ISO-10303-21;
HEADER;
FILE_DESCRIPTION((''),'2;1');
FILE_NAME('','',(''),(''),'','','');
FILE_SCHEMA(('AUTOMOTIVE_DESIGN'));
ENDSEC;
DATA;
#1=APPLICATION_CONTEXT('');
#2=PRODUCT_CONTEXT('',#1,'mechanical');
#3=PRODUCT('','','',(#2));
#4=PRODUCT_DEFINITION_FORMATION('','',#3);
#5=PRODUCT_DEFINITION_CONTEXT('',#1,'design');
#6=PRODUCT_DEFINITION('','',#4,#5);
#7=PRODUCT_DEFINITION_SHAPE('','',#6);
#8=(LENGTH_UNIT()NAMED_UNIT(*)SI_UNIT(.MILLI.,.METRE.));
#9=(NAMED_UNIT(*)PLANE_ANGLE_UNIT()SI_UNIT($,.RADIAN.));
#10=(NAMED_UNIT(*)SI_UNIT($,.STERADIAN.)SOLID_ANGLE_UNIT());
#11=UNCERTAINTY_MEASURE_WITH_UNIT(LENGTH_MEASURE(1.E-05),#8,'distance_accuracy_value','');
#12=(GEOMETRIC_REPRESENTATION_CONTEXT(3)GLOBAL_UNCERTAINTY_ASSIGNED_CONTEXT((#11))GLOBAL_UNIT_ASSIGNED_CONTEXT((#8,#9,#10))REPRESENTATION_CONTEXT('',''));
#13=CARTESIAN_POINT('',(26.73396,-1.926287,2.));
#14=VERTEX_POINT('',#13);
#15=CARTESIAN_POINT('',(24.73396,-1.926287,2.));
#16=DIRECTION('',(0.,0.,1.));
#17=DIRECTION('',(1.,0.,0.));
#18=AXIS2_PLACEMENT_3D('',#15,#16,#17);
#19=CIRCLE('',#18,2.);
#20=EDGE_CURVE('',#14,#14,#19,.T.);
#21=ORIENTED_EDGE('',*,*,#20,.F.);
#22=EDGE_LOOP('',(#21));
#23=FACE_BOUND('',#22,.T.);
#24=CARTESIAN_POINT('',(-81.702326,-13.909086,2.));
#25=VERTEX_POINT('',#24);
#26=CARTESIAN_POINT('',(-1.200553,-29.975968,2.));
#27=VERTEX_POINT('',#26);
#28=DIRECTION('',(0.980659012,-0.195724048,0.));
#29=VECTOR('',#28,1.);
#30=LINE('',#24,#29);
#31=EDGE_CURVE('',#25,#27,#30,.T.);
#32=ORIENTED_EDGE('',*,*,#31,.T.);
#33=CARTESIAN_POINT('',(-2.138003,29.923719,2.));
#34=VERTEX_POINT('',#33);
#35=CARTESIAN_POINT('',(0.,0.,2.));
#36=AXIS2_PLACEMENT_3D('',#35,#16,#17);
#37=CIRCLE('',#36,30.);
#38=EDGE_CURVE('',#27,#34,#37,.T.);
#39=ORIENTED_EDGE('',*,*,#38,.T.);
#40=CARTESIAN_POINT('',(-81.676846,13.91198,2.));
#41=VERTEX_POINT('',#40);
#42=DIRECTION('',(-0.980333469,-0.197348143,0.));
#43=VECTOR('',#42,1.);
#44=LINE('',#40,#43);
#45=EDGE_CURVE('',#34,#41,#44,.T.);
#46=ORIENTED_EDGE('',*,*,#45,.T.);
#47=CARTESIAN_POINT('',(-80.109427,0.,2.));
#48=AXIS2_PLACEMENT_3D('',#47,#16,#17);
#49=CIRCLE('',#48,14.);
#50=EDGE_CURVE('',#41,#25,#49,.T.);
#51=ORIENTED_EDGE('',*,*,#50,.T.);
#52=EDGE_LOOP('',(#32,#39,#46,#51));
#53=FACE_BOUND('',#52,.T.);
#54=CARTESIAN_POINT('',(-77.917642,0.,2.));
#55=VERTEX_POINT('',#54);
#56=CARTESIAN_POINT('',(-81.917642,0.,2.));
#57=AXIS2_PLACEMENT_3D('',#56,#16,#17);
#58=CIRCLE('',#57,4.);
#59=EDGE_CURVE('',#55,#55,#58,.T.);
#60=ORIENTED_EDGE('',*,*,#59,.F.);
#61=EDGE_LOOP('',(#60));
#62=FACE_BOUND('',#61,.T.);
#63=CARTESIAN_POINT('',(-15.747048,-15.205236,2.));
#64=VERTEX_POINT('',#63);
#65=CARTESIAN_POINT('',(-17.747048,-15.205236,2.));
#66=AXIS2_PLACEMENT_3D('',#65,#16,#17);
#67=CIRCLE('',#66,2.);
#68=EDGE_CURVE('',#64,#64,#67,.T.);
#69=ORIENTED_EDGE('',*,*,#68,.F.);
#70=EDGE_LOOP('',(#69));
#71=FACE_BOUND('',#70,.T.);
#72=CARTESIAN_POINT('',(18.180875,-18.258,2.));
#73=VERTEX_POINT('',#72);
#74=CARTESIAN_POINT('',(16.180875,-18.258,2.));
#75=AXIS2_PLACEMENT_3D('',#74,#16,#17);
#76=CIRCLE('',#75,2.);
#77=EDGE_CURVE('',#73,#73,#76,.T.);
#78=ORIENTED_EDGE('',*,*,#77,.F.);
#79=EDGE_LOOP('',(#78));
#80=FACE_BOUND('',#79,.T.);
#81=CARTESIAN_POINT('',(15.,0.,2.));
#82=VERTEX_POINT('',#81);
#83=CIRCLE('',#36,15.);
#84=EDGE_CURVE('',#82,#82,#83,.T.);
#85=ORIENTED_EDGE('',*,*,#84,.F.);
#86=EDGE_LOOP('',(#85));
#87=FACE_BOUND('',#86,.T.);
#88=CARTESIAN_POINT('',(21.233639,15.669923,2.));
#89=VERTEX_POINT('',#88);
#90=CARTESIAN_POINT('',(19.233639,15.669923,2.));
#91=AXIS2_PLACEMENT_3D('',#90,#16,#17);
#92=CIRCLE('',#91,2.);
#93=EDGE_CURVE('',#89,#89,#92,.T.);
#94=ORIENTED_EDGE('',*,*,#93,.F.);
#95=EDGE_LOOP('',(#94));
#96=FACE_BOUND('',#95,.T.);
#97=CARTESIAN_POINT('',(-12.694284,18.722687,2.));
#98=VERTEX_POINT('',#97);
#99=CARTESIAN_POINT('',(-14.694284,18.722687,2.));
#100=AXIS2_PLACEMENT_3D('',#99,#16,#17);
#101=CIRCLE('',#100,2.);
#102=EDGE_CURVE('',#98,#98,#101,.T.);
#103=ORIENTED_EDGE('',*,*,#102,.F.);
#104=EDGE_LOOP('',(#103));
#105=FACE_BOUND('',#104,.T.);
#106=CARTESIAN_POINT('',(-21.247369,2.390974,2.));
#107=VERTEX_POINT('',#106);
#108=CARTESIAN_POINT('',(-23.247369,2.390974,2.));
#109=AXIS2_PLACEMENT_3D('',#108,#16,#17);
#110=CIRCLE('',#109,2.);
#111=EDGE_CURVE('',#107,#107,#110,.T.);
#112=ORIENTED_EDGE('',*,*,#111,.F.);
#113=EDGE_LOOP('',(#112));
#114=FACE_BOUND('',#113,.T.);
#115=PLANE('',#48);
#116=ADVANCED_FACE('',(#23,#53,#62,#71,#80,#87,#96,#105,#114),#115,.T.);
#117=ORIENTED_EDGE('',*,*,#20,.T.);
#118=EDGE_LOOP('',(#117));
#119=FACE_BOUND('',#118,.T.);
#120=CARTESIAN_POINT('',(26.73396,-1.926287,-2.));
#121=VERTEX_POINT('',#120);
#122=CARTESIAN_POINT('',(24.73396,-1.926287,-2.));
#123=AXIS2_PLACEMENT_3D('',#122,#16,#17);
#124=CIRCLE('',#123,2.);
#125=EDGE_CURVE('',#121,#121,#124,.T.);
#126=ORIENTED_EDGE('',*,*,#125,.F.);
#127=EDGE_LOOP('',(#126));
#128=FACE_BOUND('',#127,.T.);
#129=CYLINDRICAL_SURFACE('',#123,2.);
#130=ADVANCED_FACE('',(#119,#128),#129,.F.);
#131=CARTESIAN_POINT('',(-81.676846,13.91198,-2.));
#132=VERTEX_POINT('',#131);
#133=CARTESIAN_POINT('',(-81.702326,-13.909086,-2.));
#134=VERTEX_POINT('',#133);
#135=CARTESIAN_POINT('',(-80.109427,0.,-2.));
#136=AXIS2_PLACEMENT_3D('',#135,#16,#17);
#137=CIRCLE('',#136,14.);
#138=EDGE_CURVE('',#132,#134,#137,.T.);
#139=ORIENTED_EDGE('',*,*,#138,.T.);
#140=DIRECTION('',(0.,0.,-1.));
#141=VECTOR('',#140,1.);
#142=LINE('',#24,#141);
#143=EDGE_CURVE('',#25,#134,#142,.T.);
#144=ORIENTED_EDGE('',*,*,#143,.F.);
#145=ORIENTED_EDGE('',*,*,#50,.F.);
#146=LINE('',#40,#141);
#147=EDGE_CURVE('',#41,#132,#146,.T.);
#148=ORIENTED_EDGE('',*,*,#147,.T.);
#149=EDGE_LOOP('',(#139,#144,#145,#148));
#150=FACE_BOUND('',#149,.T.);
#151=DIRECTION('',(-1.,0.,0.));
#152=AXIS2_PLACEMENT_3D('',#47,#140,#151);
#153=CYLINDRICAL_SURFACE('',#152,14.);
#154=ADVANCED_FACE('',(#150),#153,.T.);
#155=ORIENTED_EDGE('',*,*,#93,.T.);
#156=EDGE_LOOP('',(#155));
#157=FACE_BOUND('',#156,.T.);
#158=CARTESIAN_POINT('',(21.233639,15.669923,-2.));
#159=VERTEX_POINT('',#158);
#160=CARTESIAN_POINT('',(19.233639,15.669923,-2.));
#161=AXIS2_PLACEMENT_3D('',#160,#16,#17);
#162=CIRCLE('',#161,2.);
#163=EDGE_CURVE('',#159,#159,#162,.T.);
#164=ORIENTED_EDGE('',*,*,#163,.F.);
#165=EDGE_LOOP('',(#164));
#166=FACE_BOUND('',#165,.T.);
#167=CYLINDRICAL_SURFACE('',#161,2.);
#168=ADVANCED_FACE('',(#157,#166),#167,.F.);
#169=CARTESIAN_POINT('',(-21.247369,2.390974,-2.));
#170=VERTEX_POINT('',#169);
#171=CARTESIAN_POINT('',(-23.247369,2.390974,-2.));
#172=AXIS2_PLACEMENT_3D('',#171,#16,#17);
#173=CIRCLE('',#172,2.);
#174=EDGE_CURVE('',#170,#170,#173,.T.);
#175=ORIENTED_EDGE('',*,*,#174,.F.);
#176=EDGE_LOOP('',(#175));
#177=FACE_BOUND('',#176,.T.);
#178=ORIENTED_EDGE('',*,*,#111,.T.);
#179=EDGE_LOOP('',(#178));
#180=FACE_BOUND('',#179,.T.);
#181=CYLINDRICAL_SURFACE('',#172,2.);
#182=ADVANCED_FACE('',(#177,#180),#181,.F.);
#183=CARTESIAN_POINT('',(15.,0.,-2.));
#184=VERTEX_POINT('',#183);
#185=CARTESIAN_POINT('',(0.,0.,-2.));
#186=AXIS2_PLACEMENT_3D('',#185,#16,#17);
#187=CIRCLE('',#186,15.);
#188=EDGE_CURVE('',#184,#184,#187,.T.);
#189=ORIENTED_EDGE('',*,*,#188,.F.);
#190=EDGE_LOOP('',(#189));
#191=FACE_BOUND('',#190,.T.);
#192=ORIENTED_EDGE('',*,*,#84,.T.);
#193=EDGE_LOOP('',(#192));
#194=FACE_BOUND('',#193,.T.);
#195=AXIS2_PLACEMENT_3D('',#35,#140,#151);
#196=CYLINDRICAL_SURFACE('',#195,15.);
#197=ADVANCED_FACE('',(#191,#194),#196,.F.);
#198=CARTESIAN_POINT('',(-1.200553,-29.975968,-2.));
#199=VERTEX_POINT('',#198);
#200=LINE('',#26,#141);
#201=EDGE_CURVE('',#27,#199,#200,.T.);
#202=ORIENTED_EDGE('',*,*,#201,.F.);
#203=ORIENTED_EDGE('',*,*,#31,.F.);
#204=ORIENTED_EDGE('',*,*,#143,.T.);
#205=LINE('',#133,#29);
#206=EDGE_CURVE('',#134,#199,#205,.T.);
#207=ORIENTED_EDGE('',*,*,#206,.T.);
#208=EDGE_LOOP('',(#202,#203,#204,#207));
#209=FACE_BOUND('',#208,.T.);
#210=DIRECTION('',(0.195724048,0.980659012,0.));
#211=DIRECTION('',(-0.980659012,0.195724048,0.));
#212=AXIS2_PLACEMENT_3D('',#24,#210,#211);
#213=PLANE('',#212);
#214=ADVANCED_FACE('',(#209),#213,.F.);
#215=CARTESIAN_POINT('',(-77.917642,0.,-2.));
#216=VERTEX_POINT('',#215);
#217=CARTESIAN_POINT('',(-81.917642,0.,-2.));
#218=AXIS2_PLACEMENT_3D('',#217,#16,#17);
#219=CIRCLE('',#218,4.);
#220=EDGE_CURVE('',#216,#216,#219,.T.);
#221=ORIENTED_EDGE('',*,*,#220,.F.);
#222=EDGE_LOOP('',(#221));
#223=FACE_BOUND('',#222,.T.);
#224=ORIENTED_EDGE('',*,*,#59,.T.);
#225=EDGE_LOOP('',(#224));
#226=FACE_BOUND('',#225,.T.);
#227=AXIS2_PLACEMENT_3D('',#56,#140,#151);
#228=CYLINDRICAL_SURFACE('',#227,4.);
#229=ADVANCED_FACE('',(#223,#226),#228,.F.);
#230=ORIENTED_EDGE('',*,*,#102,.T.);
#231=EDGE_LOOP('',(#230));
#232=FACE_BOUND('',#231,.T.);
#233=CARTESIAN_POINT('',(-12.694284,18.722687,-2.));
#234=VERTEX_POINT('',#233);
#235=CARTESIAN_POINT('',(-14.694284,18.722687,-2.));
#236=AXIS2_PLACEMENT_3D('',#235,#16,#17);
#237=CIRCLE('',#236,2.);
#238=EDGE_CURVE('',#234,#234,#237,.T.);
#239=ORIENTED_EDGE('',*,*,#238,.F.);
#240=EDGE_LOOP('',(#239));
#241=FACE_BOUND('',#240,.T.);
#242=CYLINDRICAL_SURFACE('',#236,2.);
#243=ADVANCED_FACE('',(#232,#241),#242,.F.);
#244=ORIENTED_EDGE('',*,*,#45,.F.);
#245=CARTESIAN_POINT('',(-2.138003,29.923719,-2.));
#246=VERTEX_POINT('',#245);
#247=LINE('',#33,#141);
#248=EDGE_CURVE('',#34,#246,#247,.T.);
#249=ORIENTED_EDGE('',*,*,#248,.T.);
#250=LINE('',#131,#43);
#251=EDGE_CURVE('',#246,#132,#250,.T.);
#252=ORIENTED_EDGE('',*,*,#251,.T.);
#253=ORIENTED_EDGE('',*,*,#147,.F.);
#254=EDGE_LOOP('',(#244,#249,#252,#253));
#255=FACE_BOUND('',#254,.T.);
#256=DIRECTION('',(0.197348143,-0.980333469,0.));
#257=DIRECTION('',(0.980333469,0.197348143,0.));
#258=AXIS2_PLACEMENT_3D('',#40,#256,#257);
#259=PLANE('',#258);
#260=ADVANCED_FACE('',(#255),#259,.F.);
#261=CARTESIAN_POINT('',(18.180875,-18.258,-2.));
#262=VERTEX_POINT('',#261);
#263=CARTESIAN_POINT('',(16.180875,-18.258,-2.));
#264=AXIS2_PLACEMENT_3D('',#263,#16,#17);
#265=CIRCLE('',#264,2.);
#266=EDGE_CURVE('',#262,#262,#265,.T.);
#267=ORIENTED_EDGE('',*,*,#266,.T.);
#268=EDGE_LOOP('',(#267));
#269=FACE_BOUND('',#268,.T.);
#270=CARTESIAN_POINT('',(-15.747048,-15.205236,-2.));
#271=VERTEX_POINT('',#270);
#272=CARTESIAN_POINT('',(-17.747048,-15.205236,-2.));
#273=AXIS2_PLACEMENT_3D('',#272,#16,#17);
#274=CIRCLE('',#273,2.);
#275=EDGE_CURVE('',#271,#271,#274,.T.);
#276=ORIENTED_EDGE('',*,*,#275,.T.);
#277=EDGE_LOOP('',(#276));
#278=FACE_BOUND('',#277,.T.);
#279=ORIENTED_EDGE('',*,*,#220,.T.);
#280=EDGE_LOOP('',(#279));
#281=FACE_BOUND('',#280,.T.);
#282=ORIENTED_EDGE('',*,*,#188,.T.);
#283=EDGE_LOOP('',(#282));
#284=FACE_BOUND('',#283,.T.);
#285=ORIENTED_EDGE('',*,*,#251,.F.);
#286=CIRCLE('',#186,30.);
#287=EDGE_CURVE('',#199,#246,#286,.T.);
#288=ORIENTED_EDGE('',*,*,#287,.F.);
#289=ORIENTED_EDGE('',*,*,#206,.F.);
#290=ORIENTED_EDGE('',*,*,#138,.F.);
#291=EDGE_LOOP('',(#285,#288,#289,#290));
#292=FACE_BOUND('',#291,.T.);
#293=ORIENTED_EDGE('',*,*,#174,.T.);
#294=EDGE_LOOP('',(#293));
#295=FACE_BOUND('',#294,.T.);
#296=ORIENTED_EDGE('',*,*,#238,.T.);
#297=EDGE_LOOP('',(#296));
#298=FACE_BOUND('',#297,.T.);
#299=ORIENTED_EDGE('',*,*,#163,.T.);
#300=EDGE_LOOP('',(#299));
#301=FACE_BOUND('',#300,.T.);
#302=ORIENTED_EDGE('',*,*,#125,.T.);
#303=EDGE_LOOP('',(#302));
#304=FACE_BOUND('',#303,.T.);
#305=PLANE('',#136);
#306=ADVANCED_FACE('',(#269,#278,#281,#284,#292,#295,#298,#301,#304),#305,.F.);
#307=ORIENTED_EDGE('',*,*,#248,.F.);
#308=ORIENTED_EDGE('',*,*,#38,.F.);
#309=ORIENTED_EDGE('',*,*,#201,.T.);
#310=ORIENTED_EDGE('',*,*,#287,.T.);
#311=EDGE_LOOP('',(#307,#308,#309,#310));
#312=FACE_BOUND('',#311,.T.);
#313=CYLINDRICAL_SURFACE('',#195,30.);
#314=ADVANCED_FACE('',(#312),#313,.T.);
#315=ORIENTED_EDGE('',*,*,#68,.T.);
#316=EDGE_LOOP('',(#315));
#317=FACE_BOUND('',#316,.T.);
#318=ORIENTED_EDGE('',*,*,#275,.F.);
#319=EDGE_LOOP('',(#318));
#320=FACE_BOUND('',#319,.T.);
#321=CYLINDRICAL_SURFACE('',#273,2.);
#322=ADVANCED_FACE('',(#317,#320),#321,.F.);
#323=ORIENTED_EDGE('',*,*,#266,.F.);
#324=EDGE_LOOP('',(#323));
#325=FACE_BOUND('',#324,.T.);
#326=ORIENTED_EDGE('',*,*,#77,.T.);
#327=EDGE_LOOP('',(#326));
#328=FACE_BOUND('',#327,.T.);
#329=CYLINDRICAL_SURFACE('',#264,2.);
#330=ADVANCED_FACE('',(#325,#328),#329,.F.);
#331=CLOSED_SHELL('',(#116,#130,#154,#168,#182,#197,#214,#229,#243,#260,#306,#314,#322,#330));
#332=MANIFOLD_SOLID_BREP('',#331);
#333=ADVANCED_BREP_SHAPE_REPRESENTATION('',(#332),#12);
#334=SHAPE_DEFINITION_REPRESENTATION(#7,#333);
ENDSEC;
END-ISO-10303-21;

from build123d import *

# Parameters (mm, degrees)
EXTRUDE_START       = -2
SKETCH_1_R          = 15
SKETCH_1_R_2        = 4
EXTRUDE_1_DEPTH     = 4
SKETCH_2_R          = 2
CUT_EXTRUDE_1_DEPTH = 99.856382383


with BuildPart() as part:
    # Эскиз1 → Вытянуть1 (new body)
    with BuildSketch(Plane.XY.offset(EXTRUDE_START)):
        with BuildLine():
            Line((-81.676846175, 13.911980398), (-2.13800288, 29.923718748))
            ThreePointArc((-2.13800288, 29.923718748), (29.996326682, 0.469452404), (-1.200553025, -29.975968248))
            Line((-1.200553025, -29.975968248), (-81.702325517, -13.909086088))
            ThreePointArc((-81.702325517, -13.909086088), (-94.109421594, 0.012821602), (-81.676846175, 13.911980398))
        make_face()
        Circle(SKETCH_1_R, mode=Mode.SUBTRACT)
        with Locations((-81.917641848, 0)):
            Circle(SKETCH_1_R_2, mode=Mode.SUBTRACT)
    extrude(amount=EXTRUDE_1_DEPTH)

    # Эскиз2 → Вырез-Вытянуть1 (cut, through all)
    with BuildSketch(Plane.XY.offset(2)):
        with Locations((-17.747047674, -15.205235902)):
            Circle(SKETCH_2_R)
        with Locations((-23.247368562, 2.390973642)):
            Circle(SKETCH_2_R)
        with Locations((-14.694283668, 18.722686931)):
            Circle(SKETCH_2_R)
        with Locations((19.233639165, 15.669922925)):
            Circle(SKETCH_2_R)
        with Locations((24.733960053, -1.926286619)):
            Circle(SKETCH_2_R)
        with Locations((16.180875159, -18.257999908)):
            Circle(SKETCH_2_R)
    extrude(amount=-CUT_EXTRUDE_1_DEPTH, mode=Mode.SUBTRACT)


solid = part.part
